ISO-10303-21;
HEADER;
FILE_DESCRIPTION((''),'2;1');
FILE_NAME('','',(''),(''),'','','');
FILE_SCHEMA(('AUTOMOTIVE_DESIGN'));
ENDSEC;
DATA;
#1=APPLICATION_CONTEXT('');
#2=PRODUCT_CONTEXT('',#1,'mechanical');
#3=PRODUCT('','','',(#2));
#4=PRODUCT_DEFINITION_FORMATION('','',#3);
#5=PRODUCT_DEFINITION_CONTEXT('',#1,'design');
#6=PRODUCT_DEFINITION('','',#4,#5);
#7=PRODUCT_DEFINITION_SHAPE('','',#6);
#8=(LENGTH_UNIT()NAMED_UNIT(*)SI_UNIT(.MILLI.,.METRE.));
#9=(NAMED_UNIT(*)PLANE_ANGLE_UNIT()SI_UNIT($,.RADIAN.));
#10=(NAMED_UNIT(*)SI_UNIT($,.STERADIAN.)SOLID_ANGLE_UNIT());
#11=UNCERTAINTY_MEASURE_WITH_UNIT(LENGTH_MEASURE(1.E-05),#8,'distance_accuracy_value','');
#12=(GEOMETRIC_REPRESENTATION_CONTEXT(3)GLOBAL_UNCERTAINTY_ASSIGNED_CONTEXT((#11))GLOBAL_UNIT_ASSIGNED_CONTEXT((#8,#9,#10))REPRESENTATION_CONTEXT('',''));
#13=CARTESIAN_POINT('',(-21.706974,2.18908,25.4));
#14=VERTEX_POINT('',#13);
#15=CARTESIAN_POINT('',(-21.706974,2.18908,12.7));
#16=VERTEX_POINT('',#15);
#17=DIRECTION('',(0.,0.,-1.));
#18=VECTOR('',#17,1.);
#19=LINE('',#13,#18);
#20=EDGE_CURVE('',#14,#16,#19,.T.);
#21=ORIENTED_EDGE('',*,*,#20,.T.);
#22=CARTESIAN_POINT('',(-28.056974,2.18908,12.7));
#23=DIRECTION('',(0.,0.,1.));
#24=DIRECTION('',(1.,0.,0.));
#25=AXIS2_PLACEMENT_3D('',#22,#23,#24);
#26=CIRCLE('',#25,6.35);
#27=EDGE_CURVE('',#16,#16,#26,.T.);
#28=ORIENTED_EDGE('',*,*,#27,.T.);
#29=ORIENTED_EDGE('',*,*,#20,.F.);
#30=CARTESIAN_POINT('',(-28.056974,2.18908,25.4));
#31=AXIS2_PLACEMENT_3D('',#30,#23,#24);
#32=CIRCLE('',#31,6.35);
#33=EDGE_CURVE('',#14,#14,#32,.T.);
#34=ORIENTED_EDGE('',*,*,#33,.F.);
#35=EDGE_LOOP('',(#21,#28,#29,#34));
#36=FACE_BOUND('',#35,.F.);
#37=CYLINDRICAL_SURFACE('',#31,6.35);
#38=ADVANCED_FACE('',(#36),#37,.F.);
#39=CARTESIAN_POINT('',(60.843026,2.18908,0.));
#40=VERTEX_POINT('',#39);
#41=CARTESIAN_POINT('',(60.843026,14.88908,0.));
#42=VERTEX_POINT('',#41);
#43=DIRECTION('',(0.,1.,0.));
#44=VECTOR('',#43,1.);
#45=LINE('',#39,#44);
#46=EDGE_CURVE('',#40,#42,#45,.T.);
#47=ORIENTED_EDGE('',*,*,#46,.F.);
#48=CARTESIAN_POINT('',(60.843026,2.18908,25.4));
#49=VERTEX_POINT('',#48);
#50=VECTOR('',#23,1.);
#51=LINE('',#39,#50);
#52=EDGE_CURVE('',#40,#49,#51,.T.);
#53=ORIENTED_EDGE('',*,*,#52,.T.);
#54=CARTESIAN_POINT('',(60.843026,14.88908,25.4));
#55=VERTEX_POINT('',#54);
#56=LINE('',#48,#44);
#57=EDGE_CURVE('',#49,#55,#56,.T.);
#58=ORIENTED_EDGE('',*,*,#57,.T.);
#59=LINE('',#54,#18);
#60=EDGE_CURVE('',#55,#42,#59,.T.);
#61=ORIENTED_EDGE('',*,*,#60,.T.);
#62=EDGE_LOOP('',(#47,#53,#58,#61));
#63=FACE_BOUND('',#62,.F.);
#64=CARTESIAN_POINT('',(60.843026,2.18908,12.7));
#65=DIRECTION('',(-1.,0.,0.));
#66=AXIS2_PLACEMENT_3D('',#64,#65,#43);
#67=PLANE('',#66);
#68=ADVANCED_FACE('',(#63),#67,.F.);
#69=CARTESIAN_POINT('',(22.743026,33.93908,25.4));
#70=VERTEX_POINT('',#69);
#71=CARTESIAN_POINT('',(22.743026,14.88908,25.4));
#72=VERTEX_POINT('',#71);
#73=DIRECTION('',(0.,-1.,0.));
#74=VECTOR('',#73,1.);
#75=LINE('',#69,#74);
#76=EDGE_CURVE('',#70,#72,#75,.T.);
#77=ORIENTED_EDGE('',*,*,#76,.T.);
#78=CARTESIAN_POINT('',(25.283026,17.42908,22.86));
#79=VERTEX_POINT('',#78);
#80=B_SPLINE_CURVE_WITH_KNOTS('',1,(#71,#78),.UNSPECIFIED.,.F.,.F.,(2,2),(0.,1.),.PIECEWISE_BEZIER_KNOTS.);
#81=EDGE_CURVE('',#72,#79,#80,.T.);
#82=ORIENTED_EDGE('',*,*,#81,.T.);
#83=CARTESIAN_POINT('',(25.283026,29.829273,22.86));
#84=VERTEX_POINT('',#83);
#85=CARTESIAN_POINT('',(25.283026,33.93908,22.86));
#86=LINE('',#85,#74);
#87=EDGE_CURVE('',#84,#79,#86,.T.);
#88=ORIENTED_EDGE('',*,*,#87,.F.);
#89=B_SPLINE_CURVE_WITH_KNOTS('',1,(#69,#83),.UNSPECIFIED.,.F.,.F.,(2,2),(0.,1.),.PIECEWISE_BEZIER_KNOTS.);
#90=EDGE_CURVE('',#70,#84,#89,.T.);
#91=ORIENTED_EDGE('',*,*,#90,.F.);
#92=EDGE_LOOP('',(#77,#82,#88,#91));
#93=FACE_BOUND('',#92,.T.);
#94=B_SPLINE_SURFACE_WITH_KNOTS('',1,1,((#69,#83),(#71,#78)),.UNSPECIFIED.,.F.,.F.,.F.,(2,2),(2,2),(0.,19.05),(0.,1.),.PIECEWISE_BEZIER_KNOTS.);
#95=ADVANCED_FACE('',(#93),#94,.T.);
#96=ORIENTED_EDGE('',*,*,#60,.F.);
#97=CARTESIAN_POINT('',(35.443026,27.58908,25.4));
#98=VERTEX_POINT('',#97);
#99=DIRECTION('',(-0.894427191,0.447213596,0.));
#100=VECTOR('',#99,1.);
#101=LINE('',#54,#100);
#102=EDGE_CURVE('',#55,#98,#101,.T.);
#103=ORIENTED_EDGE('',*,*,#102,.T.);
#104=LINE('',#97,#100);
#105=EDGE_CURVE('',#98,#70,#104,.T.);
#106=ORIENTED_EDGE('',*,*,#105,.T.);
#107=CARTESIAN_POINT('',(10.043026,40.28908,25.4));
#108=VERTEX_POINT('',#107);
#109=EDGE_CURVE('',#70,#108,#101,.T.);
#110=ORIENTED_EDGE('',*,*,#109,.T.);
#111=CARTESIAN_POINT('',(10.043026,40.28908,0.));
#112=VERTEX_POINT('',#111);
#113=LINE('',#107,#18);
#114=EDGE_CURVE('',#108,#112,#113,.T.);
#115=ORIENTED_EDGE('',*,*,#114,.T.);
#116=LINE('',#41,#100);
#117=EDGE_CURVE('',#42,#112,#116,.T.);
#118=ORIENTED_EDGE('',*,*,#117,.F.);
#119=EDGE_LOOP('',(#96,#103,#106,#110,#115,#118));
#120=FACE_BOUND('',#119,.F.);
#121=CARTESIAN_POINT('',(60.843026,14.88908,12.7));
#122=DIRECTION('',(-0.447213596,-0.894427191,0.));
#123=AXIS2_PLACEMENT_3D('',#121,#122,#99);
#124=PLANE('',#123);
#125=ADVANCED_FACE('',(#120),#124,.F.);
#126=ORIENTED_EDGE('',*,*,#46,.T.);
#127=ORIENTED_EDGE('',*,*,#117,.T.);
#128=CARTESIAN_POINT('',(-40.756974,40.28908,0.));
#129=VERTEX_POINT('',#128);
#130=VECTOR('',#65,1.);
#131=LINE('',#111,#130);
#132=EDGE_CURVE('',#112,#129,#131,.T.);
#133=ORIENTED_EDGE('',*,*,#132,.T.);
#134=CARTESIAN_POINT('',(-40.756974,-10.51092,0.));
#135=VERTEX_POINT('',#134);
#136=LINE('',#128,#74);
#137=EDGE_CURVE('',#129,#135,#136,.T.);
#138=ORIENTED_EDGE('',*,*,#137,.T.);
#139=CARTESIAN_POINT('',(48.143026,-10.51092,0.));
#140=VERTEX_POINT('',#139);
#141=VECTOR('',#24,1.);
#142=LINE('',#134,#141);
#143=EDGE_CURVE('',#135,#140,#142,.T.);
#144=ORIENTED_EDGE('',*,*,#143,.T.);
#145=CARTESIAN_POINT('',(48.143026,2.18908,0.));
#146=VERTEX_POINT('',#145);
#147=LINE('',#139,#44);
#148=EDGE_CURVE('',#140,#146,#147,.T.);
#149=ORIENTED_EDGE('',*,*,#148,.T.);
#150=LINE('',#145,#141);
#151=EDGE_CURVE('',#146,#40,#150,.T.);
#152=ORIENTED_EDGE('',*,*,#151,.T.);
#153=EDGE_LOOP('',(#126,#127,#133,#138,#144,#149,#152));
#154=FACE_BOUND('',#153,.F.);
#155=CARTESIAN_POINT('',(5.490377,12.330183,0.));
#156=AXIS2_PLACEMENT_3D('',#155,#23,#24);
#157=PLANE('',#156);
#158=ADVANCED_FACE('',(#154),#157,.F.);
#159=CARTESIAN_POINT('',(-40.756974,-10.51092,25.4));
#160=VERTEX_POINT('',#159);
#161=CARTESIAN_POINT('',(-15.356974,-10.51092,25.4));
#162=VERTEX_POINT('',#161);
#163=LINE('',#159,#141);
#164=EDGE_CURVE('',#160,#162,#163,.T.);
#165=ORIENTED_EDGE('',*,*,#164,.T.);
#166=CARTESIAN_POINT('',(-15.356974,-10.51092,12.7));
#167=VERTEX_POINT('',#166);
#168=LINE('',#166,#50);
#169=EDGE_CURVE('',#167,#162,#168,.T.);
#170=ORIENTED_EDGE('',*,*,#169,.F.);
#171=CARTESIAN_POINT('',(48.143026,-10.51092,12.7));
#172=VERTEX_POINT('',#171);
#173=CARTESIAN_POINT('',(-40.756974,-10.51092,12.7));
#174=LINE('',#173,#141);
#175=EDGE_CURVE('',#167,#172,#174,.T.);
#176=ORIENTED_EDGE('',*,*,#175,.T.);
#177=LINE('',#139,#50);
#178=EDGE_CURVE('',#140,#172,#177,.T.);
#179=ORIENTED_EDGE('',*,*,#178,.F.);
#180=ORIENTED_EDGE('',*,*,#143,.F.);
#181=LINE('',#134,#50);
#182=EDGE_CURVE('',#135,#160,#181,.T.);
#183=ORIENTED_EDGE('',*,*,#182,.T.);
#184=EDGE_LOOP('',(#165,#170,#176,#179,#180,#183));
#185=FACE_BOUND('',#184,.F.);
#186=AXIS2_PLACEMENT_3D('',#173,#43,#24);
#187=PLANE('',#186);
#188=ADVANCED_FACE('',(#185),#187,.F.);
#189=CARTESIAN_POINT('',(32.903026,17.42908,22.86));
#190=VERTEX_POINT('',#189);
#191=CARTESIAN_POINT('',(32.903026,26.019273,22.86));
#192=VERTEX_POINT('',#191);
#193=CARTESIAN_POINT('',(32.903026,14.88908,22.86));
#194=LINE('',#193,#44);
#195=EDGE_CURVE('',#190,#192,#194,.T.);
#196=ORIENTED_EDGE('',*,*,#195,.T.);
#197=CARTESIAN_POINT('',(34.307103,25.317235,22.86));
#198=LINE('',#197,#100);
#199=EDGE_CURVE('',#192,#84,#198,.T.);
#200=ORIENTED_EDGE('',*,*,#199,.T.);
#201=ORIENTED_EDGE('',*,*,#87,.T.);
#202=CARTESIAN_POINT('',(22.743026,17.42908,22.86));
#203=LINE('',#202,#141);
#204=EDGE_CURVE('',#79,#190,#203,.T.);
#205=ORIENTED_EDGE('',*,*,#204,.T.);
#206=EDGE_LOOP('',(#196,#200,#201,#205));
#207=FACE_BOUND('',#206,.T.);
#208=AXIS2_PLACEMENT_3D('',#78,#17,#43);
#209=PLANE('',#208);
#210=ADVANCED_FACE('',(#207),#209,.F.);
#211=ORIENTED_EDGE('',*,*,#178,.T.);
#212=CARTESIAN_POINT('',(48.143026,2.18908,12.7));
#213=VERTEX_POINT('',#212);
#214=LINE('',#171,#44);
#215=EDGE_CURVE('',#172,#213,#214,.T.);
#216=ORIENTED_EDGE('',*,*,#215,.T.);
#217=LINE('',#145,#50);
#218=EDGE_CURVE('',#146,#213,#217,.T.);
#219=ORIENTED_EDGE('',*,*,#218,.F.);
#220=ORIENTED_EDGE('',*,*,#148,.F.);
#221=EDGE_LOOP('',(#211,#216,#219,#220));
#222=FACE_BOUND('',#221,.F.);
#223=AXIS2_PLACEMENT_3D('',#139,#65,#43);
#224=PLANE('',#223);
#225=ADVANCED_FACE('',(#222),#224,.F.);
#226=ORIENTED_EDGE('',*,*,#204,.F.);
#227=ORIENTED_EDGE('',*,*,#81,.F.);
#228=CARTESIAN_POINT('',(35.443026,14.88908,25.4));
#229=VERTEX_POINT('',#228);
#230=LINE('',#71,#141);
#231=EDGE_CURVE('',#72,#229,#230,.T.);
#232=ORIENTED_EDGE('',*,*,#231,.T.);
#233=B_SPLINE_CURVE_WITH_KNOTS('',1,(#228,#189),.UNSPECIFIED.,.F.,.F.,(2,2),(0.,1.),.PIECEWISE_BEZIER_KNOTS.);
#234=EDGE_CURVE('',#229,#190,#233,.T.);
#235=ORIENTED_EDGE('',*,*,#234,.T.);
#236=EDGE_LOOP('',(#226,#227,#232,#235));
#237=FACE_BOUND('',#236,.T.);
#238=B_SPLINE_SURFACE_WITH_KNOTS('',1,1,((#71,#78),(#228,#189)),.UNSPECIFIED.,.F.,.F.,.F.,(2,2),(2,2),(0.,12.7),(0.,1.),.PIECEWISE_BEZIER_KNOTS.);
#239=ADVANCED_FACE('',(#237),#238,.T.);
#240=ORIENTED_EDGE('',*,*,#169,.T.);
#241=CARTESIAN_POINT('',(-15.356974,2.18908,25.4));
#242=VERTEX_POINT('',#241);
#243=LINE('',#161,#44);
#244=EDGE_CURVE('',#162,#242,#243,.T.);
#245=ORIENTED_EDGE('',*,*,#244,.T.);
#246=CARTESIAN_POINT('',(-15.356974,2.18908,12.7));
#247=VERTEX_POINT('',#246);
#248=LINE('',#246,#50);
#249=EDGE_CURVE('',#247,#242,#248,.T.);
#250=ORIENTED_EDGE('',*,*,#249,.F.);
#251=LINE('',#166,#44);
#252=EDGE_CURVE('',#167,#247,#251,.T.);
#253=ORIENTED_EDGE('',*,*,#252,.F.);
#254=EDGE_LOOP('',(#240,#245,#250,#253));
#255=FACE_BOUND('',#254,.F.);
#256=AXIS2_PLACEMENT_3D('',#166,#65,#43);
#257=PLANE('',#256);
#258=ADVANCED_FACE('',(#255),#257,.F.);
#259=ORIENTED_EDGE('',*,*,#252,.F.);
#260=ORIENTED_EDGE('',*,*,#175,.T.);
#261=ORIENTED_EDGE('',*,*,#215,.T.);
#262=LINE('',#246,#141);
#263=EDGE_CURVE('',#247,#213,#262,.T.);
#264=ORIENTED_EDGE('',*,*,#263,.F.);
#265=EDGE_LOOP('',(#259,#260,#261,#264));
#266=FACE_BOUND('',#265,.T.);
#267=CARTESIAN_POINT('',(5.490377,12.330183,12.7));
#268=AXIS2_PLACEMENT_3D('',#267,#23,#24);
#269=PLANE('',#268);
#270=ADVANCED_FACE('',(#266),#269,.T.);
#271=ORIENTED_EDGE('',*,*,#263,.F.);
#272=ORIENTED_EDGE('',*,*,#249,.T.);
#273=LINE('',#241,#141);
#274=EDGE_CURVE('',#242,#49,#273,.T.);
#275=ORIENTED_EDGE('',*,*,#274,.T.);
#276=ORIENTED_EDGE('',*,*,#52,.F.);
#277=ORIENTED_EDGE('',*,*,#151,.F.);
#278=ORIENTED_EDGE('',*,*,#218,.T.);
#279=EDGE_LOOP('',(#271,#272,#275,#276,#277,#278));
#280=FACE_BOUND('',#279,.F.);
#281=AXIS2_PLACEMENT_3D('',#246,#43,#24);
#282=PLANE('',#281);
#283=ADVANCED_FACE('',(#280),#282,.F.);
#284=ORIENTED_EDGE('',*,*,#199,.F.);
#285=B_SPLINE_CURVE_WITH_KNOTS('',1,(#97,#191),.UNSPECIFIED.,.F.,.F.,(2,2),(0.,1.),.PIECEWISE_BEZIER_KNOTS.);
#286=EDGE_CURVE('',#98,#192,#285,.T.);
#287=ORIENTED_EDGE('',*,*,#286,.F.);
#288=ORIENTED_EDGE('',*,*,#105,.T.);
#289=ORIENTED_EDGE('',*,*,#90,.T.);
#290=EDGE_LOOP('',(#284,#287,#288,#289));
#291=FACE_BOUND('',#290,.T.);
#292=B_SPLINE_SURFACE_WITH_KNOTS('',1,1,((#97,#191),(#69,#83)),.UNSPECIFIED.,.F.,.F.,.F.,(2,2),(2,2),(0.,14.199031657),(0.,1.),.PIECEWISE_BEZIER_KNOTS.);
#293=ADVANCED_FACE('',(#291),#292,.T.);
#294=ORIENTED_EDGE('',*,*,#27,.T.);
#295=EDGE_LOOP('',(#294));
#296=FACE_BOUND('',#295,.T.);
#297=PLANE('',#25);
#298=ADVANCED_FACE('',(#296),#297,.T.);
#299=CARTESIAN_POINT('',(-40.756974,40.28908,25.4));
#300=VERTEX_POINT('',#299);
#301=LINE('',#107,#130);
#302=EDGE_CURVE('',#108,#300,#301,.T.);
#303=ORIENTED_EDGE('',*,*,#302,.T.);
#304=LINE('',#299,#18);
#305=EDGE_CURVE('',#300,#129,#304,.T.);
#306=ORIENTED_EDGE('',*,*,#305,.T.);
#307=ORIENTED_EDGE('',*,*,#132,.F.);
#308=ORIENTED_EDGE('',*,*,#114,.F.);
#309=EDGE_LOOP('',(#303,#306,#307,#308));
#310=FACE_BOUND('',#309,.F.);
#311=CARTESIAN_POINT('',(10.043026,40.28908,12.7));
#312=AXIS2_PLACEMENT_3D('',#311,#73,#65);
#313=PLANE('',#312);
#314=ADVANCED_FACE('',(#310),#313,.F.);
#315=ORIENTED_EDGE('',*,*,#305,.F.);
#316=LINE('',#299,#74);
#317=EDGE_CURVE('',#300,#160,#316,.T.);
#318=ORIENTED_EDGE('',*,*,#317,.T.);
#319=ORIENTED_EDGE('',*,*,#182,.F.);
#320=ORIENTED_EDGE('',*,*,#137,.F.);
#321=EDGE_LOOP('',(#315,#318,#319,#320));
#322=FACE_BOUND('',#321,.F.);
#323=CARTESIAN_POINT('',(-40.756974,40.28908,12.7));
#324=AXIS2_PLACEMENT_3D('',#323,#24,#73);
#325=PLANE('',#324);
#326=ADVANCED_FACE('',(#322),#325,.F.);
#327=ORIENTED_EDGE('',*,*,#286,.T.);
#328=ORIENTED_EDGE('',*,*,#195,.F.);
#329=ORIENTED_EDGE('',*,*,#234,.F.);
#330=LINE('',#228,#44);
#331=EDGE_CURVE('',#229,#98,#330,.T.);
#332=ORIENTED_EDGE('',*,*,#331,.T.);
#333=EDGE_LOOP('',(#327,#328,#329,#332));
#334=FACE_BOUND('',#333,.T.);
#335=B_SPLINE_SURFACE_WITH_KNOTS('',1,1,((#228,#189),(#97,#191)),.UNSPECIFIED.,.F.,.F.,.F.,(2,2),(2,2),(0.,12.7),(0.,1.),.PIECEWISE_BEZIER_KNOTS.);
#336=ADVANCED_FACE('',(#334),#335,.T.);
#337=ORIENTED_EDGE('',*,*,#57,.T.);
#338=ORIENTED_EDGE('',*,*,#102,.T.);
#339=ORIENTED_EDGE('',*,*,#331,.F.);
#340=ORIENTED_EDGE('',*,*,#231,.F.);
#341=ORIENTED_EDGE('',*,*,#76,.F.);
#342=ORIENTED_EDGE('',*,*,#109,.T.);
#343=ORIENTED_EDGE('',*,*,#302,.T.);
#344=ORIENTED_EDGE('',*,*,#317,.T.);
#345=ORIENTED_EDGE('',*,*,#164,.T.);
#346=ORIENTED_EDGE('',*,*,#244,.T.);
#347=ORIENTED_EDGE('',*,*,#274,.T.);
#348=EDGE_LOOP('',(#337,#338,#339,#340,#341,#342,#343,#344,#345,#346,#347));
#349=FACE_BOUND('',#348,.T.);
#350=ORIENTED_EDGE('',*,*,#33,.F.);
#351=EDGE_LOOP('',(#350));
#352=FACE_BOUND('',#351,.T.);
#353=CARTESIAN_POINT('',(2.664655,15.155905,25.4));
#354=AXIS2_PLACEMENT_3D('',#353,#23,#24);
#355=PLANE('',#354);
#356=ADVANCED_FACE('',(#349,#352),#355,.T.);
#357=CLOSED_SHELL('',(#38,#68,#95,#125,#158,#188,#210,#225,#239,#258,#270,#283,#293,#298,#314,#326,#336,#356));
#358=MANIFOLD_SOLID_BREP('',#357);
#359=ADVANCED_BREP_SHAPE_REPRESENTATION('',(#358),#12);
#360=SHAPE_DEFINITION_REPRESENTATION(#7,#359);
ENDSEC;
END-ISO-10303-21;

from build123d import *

# Parameters (mm, degrees)
F1_DEPTH = 12.7
F3_DEPTH = 12.7
F4_R     = 6.35
F5_DEPTH = 12.7
F7_DEPTH = 2.54
F7_TAPER = 45


with BuildPart() as f1:
    # F0 (on Top) → F1 (new body)
    with BuildSketch(Plane.XY):
        Polygon((-40.7569743693, 40.2890797282), (-40.7569743693, -10.5109202718), (48.1430256307, -10.5109202718), (48.1430256307, 2.1890797282), (60.8430256307, 2.1890797282), (60.8430256307, 14.8890797282), (10.0430256307, 40.2890797282), align=None)
    extrude(amount=F1_DEPTH)

    # F2 (on face) → F3 (join)
    with BuildSketch(Plane.XY.offset(12.7)):
        Polygon((-40.7569743693, 40.2890797282), (-40.7569743693, -10.5109202718), (-15.3569743693, -10.5109202718), (-15.3569743693, 2.1890797282), (48.1430256307, 2.1890797282), (60.8430256307, 2.1890797282), (60.8430256307, 14.8890797282), (10.0430256307, 40.2890797282), align=None)
    extrude(amount=F3_DEPTH)

    # F4 (on face) → F5 (cut)
    with BuildSketch(Plane.XY.offset(25.4)):
        with Locations((-28.0569743693, 2.1890797282)):
            Circle(F4_R)
    extrude(amount=-F5_DEPTH, mode=Mode.SUBTRACT)

    # F6 (on face) → F7 (cut)
    with BuildSketch(Plane.XY.offset(25.4)):
        Polygon((22.7430256307, 14.8890797282), (35.4430256307, 14.8890797282), (35.4430256307, 27.5890797282), (22.7430256307, 33.9390797282), align=None)
    extrude(amount=-F7_DEPTH, taper=F7_TAPER, mode=Mode.SUBTRACT)


solid = f1.part
